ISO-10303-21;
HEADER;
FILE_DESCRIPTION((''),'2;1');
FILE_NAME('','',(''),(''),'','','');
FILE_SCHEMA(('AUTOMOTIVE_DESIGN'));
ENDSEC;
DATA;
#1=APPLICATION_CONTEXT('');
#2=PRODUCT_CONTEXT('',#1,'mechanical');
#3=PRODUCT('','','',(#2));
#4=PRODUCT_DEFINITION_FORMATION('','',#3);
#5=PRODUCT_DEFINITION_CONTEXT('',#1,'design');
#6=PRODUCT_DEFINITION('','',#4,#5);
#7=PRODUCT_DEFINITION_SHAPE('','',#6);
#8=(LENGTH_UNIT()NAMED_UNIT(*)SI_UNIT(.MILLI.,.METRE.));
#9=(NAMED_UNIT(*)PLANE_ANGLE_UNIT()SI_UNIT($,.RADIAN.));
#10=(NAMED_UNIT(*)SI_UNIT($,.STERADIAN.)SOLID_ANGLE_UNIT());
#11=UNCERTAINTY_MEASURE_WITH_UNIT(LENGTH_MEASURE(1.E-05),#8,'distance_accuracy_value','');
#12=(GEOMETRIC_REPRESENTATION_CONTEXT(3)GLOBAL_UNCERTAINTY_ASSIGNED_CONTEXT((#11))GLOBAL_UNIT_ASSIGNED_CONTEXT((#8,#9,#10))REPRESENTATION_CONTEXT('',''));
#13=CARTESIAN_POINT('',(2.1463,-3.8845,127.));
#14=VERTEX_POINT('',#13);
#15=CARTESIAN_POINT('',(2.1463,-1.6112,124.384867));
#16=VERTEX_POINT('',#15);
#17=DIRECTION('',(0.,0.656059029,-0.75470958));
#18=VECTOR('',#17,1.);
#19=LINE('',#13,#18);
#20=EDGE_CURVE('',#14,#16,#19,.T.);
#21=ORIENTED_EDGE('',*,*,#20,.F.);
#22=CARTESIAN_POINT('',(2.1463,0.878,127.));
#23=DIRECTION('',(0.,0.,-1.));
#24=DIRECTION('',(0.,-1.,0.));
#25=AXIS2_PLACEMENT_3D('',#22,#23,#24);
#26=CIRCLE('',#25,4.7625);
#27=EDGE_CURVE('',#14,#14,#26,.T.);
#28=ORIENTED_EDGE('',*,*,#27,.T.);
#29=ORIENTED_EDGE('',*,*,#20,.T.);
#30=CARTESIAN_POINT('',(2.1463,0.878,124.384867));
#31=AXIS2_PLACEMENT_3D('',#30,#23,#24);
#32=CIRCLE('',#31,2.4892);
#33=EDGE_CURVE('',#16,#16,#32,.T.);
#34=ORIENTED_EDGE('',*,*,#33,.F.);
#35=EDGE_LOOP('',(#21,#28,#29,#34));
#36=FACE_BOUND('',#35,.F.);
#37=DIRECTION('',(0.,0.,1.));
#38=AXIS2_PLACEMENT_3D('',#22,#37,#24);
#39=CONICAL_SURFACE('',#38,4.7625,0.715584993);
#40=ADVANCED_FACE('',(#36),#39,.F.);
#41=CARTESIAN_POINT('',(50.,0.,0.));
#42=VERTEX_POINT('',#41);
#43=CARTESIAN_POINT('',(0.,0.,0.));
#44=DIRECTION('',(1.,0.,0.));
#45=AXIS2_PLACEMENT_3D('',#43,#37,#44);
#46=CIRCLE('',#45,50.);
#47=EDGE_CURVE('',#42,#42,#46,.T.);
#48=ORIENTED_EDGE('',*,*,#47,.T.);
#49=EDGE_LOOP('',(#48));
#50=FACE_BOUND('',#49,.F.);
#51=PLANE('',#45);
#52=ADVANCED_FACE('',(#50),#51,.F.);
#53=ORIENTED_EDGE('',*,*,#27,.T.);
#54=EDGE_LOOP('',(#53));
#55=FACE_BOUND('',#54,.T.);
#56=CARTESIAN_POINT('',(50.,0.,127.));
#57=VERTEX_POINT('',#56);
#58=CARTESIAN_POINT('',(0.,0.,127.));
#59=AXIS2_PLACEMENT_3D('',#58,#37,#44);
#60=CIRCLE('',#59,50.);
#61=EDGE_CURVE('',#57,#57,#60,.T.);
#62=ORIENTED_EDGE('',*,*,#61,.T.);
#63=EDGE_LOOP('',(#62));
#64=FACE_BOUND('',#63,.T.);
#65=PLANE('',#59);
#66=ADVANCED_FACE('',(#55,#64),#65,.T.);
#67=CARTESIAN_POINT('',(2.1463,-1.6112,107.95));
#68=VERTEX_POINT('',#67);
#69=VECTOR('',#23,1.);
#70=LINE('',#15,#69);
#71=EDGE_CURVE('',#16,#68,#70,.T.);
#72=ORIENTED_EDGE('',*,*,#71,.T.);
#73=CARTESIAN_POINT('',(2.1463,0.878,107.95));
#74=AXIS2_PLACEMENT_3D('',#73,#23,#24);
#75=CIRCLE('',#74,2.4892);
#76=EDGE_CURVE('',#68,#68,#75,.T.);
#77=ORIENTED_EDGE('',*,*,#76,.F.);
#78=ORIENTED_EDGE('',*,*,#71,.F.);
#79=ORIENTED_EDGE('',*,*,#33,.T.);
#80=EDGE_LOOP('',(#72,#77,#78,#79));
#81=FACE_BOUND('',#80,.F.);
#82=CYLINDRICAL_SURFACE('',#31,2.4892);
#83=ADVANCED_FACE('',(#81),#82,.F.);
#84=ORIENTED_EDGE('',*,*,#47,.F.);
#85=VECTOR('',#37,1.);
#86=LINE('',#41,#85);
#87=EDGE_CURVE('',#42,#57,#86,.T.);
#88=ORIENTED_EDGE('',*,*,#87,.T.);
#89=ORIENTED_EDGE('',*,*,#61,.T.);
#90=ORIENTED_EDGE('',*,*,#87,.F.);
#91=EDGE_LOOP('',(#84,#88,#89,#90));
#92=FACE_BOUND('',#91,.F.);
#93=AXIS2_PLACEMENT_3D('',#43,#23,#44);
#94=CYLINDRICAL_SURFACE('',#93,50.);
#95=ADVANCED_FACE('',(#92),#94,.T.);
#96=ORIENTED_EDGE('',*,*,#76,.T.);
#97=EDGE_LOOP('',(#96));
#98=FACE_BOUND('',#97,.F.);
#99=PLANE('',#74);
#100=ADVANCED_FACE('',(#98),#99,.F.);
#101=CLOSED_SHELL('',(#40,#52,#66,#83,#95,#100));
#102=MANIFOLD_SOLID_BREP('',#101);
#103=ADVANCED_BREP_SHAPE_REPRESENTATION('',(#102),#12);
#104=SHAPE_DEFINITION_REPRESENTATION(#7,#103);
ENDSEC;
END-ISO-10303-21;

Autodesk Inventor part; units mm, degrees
ref_plane "YZ Plane" through (0, 0, 0) normal (1, 0, 0) x (0, 1, 0)
ref_plane "XZ Plane" through (0, 0, 0) normal (0, 1, 0) x (-1, 0, 0)
ref_plane "XY Plane" through (0, 0, 0) normal (0, 0, 1) x (1, 0, 0)
sketch "Sketch1" plane through (0, 0, 0) normal (0, 0, 1) x (1, 0, 0)
  circle A0 centre (0, 0) radius 50
  dimension "d0" = 100
extrude "Extrusion1" add sketch "Sketch1" along normal blind 127
sketch "Sketch2" plane through (0, 0, 0) normal (0, 0, -1) x (-1, 0, 0)
  point P0 (0, 0)
  point P1 (3.0158, -0.2622)
hole "Hole1" at (-3.0158, -0.2622, 0) direction (0, 0, -1) diameter 5 depth 25.4 tip angle 118
sketch "Sketch3" plane through (0, 0, 127) normal (0, 0, 1) x (1, 0, 0)
  point P0 (0, 0)
  point P1 (2.1463, 0.878)
hole "Hole2" at (2.1463, 0.878, 127) direction (0, 0, -1) diameter 4.9784 depth 19.05 countersink diameter 9.525 countersink angle 82 thread size "1/4-20 UNC" class "2B" standard "ANSI Unified Screw Threads"
properties part number "Media container"
